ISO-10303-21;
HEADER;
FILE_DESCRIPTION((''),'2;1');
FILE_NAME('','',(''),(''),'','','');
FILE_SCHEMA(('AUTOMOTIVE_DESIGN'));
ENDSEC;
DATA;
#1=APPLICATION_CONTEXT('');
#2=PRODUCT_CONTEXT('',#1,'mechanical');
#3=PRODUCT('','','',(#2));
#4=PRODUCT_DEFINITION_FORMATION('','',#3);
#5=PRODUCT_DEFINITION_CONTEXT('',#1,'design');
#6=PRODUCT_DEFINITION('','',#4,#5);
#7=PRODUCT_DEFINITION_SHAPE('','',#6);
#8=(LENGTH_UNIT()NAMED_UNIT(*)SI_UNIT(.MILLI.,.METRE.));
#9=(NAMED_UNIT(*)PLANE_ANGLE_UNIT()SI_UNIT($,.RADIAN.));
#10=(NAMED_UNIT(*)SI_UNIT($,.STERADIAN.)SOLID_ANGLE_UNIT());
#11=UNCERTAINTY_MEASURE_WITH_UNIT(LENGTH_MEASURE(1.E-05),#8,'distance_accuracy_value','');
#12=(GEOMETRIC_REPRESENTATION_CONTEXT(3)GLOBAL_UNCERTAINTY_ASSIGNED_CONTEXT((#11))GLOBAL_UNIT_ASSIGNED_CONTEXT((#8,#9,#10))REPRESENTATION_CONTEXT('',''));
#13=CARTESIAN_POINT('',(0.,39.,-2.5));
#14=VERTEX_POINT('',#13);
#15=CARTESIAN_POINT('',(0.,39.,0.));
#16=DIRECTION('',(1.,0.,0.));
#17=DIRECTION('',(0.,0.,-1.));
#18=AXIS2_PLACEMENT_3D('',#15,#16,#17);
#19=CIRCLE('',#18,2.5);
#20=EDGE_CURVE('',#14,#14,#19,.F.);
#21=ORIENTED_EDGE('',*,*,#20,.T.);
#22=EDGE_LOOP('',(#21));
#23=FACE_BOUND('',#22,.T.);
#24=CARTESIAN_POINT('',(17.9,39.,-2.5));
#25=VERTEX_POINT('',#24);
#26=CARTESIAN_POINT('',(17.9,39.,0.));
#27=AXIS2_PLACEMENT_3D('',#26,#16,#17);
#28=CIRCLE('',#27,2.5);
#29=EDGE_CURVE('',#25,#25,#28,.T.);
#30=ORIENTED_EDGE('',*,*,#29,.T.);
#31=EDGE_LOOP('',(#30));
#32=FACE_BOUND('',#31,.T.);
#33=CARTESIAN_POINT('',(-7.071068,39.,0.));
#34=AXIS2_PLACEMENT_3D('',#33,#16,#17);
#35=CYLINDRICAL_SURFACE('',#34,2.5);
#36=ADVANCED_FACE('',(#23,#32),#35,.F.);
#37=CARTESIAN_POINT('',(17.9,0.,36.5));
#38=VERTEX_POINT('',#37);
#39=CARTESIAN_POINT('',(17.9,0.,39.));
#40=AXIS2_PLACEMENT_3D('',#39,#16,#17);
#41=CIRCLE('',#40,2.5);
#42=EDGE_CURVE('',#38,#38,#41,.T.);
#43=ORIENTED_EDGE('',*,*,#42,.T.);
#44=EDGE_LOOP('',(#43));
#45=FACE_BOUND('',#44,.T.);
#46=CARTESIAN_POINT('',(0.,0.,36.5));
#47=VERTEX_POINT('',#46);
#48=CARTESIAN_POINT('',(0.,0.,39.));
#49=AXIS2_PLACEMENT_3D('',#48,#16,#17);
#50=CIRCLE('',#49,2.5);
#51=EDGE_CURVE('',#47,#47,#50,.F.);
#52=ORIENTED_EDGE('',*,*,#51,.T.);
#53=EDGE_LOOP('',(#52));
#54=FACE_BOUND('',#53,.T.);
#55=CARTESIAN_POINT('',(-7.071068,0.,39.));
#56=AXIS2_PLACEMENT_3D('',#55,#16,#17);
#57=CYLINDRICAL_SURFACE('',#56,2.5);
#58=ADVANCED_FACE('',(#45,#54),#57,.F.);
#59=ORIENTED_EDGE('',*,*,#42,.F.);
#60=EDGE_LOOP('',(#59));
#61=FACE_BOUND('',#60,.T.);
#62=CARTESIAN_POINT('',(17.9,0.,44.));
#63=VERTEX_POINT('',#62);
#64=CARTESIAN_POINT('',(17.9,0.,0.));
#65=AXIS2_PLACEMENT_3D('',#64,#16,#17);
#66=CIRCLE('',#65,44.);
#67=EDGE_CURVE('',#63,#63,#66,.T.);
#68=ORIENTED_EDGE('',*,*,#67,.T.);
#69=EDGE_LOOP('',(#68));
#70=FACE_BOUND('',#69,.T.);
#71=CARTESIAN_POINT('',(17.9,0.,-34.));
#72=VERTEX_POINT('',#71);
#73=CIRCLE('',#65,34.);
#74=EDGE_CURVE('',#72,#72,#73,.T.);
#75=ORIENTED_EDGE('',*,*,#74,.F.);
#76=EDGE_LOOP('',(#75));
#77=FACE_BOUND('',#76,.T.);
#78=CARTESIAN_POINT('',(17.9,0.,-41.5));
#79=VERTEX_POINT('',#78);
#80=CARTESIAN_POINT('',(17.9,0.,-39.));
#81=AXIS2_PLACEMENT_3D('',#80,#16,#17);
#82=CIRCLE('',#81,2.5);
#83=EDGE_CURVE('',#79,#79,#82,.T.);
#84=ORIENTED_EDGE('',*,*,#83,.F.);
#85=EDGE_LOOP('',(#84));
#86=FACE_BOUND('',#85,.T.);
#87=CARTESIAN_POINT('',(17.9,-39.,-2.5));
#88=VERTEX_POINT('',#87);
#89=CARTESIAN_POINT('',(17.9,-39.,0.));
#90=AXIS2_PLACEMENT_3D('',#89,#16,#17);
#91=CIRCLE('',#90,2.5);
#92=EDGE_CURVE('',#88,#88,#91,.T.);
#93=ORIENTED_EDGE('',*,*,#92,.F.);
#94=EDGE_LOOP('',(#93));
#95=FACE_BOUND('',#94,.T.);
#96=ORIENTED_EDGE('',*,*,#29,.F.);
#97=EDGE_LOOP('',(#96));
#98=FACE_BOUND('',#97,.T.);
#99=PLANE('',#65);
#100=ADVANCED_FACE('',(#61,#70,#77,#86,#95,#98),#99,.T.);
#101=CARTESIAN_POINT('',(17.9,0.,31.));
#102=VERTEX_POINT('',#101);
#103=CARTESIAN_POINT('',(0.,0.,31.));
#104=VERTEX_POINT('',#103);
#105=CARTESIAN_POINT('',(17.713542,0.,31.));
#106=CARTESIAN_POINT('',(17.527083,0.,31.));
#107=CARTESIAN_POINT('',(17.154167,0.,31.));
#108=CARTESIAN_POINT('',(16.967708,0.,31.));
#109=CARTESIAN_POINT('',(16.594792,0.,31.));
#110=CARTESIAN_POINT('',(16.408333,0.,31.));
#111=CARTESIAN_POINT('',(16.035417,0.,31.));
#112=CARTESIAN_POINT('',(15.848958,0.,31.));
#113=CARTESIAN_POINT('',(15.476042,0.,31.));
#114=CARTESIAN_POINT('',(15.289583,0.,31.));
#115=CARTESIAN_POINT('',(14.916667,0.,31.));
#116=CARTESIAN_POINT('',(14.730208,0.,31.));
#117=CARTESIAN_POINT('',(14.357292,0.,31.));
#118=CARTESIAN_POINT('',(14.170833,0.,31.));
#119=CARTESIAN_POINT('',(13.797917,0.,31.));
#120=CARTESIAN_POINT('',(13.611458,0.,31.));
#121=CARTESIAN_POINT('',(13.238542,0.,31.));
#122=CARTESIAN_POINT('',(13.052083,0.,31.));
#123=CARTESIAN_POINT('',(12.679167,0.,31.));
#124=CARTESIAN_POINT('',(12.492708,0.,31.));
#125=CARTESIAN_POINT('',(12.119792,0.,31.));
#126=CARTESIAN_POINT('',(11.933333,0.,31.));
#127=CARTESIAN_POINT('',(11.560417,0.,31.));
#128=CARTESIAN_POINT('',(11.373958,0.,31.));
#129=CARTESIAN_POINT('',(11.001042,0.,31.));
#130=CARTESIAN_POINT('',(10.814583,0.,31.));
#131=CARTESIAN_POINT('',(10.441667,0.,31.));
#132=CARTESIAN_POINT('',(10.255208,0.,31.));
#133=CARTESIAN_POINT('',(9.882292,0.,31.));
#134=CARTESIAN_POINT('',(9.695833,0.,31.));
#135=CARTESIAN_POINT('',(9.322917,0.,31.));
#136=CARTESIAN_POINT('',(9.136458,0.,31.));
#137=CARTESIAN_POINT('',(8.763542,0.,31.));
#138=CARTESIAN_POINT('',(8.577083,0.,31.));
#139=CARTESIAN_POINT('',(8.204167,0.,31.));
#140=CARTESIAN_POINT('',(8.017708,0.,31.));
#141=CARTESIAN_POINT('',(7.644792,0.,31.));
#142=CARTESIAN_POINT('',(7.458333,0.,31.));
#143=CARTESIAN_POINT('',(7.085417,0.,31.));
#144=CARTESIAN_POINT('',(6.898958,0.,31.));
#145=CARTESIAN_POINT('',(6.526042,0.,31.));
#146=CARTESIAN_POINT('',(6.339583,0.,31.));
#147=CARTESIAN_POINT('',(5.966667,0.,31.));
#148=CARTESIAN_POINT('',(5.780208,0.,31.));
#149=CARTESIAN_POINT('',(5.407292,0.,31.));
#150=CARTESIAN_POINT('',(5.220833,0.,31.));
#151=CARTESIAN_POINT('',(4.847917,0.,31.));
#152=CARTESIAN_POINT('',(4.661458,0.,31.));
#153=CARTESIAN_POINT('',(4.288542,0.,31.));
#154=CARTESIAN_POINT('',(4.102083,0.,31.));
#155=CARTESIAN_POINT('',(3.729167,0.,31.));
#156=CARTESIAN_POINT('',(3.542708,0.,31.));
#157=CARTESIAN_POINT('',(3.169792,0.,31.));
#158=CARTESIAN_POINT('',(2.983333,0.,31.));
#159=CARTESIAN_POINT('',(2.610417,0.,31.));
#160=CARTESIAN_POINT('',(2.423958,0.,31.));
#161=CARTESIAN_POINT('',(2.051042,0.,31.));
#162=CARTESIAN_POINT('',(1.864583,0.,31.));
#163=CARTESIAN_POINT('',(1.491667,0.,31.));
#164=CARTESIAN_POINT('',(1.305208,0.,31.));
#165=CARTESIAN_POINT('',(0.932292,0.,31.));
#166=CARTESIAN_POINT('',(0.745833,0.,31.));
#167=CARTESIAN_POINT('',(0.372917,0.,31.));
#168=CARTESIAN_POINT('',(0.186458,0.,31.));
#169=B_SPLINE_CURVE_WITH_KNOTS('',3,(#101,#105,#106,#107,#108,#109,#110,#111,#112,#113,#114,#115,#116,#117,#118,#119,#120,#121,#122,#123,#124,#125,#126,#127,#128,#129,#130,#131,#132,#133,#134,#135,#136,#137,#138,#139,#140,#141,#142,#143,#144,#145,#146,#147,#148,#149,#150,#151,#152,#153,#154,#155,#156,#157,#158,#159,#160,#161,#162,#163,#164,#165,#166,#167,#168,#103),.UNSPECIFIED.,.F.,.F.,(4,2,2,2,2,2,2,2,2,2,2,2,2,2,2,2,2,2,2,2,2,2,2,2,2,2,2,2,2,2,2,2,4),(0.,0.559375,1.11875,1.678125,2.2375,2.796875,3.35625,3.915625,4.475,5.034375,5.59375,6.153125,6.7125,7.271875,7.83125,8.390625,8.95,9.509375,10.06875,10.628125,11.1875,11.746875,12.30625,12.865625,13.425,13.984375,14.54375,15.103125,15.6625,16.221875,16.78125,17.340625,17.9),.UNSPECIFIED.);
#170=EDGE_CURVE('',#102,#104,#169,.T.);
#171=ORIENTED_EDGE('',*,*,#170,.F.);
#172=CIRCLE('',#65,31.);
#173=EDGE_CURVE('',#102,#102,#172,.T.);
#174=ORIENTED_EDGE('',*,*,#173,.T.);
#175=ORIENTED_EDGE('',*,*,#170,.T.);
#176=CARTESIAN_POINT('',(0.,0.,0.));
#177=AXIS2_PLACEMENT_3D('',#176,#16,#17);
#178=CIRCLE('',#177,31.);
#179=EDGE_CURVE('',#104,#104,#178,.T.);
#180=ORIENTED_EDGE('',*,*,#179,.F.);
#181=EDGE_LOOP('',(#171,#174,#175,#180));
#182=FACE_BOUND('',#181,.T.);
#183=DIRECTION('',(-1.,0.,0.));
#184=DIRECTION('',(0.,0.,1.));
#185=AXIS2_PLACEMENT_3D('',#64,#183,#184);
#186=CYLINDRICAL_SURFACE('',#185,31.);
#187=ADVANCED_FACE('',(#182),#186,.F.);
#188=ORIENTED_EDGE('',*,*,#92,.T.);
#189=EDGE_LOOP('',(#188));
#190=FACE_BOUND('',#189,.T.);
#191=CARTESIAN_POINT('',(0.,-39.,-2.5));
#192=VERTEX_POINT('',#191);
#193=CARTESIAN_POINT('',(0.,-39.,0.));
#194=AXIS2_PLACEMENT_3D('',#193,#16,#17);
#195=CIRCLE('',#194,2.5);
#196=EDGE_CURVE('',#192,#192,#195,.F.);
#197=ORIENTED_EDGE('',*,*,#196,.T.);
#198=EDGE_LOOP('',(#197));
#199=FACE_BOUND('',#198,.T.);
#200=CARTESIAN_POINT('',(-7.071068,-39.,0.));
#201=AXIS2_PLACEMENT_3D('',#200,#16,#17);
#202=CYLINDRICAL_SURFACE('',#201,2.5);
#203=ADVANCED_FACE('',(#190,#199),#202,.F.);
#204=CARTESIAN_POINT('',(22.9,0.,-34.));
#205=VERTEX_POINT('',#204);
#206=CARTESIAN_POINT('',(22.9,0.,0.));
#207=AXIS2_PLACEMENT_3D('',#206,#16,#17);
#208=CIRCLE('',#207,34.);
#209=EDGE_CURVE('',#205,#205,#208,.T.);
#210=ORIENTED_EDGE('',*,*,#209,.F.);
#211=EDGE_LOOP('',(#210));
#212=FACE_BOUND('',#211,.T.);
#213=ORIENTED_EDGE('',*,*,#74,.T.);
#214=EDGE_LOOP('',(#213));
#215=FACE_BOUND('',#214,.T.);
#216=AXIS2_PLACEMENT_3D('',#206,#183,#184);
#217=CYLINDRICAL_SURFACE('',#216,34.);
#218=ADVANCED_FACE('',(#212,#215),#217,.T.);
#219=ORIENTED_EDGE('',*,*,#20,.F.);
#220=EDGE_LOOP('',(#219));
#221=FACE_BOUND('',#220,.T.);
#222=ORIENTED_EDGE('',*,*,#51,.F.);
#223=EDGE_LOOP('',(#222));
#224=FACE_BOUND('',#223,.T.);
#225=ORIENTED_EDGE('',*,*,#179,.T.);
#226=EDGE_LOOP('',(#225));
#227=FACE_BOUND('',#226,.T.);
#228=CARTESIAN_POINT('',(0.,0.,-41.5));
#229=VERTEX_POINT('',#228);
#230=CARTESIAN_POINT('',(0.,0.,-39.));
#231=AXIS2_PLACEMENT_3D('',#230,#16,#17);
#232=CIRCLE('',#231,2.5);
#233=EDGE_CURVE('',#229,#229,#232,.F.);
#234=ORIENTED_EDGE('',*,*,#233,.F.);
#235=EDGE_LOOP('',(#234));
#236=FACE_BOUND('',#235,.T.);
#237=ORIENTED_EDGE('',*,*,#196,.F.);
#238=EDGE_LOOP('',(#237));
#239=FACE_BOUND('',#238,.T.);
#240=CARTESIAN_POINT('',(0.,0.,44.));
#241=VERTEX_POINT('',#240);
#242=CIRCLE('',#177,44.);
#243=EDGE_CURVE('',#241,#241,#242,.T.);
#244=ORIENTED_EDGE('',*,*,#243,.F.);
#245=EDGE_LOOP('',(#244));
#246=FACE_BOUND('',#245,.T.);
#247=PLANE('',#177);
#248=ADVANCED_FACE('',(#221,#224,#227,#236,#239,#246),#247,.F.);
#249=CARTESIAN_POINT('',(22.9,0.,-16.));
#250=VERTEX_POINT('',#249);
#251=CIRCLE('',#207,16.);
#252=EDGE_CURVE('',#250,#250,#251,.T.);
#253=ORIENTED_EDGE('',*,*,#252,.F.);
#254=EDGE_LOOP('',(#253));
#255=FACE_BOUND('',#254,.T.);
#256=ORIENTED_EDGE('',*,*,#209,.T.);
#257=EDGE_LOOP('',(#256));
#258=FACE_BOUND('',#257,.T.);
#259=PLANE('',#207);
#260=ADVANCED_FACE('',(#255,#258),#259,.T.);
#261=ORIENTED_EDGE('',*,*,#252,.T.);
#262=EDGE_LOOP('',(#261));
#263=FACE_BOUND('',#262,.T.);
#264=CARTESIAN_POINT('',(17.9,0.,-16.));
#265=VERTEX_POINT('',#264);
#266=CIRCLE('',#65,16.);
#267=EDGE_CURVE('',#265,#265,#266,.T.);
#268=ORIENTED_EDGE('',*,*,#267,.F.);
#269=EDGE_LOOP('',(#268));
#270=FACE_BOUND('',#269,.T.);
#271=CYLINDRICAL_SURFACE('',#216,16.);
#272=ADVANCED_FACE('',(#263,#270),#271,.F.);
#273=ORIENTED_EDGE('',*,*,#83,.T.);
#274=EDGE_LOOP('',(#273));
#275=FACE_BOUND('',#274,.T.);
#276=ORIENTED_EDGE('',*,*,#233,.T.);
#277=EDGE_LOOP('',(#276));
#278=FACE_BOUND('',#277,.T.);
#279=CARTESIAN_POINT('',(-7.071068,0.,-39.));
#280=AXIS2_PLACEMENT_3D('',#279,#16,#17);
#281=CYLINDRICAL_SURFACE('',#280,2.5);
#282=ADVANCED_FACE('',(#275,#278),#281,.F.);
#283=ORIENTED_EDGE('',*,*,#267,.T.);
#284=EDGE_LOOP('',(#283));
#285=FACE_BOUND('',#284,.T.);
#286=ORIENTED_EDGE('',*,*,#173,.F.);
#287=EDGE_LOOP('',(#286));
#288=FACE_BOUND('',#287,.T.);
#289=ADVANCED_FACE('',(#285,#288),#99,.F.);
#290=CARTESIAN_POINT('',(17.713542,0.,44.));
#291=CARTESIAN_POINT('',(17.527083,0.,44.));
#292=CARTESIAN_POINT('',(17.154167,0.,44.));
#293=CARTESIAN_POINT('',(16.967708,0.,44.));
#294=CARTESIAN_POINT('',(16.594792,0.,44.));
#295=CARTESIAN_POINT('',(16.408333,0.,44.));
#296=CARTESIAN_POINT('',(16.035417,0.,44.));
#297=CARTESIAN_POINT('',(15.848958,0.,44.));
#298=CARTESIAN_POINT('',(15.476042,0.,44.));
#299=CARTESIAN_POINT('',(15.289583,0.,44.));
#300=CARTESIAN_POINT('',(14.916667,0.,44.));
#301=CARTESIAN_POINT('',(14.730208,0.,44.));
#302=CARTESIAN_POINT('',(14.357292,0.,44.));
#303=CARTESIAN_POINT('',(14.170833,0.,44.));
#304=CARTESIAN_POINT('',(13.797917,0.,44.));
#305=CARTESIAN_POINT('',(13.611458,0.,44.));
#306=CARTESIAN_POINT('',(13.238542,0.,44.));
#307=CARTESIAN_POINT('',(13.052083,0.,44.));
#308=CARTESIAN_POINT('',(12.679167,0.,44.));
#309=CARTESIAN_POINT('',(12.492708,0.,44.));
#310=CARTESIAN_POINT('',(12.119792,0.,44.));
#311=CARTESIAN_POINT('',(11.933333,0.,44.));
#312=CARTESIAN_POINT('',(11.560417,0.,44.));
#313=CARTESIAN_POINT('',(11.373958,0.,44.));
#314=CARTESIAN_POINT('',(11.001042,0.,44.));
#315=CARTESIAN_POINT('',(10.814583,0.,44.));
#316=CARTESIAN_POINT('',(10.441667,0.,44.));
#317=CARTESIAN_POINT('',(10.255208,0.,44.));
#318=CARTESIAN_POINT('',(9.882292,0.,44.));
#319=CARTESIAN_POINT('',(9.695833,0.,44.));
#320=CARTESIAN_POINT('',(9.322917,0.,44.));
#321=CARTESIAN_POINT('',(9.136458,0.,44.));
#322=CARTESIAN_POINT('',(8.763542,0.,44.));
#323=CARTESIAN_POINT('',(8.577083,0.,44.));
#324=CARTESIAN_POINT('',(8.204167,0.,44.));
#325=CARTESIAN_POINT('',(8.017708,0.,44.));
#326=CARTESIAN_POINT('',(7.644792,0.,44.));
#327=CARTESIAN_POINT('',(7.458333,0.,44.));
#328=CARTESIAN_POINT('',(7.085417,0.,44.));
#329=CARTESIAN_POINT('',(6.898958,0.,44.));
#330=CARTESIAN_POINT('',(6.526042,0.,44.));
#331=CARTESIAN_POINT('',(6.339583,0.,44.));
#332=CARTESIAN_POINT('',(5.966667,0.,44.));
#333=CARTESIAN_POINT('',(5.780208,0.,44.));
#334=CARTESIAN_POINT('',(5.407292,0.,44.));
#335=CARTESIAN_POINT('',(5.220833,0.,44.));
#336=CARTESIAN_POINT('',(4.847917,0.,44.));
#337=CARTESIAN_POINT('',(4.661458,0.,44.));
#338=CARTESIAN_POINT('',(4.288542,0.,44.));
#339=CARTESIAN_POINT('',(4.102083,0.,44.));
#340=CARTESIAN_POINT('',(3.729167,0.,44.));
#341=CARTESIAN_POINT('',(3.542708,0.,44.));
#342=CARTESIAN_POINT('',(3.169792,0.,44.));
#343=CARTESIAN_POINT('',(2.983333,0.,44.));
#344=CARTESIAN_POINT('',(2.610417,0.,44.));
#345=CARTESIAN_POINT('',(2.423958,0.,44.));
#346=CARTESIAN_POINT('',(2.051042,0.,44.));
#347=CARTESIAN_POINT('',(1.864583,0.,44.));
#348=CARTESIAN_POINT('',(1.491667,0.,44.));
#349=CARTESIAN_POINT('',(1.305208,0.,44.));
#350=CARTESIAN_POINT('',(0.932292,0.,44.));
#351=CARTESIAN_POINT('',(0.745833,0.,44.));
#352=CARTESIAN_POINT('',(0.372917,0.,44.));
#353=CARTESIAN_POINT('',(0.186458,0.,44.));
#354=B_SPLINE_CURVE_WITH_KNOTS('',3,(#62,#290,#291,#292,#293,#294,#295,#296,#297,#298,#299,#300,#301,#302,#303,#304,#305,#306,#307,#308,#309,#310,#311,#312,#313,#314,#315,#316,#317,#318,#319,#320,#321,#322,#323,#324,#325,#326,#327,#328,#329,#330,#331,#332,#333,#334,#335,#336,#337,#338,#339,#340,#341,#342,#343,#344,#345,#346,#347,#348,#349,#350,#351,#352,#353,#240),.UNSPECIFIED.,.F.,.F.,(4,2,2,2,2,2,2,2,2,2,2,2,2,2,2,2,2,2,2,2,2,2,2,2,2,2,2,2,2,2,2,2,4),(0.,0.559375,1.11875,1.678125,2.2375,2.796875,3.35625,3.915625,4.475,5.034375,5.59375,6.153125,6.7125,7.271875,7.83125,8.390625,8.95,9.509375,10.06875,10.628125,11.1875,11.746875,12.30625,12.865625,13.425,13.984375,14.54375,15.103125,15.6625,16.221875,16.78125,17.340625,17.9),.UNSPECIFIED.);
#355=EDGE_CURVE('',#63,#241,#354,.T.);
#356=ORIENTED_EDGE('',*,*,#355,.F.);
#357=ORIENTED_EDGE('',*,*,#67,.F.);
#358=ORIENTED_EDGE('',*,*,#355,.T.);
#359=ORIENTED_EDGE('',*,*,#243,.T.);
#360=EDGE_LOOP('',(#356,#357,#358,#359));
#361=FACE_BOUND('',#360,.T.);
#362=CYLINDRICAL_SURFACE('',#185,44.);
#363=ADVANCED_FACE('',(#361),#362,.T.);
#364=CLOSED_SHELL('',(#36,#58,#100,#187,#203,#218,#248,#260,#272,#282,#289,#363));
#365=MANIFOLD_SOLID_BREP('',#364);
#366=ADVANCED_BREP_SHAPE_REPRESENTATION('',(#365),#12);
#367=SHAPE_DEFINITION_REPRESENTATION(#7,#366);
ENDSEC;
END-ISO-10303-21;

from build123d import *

# Parameters (mm, degrees)
SKETCH_1_R          = 44
SKETCH_1_R_2        = 31
EXTRUDE_1_DEPTH     = 17.9
SKETCH_2_R          = 2.5
CUT_EXTRUDE_1_DEPTH = 17.9
SKETCH_3_R          = 34
SKETCH_3_R_2        = 16
EXTRUDE_2_DEPTH     = 5


with BuildPart() as part:
    # 草图1 → 凸台-拉伸1 (new body)
    with BuildSketch(Plane(origin=(0, 0, 0), x_dir=(0, 0, -1), z_dir=(1, 0, 0))):
        with Locations(Location((0, 0, 0), (0, 0, 180))):
            Circle(SKETCH_1_R)
        with Locations(Location((0, 0, 0), (0, 0, 180))):
            Circle(SKETCH_1_R_2, mode=Mode.SUBTRACT)
    extrude(amount=EXTRUDE_1_DEPTH)

    # 草图2 → 切除-拉伸1 (cut)
    with BuildSketch(Plane(origin=(17.9, 0, 0), x_dir=(0, 0, -1), z_dir=(1, 0, 0))):
        with Locations((0, 39)):
            Circle(SKETCH_2_R)
        with Locations((39, 0)):
            Circle(SKETCH_2_R)
        with Locations((0, -39)):
            Circle(SKETCH_2_R)
        with Locations((-39, 0)):
            Circle(SKETCH_2_R)
    extrude(amount=-CUT_EXTRUDE_1_DEPTH, mode=Mode.SUBTRACT)

    # 草图3 → 凸台-拉伸2 (add)
    with BuildSketch(Plane(origin=(17.9, 0, 0), x_dir=(0, 0, -1), z_dir=(1, 0, 0))):
        Circle(SKETCH_3_R)
        Circle(SKETCH_3_R_2, mode=Mode.SUBTRACT)
    extrude(amount=EXTRUDE_2_DEPTH)


solid = part.part
